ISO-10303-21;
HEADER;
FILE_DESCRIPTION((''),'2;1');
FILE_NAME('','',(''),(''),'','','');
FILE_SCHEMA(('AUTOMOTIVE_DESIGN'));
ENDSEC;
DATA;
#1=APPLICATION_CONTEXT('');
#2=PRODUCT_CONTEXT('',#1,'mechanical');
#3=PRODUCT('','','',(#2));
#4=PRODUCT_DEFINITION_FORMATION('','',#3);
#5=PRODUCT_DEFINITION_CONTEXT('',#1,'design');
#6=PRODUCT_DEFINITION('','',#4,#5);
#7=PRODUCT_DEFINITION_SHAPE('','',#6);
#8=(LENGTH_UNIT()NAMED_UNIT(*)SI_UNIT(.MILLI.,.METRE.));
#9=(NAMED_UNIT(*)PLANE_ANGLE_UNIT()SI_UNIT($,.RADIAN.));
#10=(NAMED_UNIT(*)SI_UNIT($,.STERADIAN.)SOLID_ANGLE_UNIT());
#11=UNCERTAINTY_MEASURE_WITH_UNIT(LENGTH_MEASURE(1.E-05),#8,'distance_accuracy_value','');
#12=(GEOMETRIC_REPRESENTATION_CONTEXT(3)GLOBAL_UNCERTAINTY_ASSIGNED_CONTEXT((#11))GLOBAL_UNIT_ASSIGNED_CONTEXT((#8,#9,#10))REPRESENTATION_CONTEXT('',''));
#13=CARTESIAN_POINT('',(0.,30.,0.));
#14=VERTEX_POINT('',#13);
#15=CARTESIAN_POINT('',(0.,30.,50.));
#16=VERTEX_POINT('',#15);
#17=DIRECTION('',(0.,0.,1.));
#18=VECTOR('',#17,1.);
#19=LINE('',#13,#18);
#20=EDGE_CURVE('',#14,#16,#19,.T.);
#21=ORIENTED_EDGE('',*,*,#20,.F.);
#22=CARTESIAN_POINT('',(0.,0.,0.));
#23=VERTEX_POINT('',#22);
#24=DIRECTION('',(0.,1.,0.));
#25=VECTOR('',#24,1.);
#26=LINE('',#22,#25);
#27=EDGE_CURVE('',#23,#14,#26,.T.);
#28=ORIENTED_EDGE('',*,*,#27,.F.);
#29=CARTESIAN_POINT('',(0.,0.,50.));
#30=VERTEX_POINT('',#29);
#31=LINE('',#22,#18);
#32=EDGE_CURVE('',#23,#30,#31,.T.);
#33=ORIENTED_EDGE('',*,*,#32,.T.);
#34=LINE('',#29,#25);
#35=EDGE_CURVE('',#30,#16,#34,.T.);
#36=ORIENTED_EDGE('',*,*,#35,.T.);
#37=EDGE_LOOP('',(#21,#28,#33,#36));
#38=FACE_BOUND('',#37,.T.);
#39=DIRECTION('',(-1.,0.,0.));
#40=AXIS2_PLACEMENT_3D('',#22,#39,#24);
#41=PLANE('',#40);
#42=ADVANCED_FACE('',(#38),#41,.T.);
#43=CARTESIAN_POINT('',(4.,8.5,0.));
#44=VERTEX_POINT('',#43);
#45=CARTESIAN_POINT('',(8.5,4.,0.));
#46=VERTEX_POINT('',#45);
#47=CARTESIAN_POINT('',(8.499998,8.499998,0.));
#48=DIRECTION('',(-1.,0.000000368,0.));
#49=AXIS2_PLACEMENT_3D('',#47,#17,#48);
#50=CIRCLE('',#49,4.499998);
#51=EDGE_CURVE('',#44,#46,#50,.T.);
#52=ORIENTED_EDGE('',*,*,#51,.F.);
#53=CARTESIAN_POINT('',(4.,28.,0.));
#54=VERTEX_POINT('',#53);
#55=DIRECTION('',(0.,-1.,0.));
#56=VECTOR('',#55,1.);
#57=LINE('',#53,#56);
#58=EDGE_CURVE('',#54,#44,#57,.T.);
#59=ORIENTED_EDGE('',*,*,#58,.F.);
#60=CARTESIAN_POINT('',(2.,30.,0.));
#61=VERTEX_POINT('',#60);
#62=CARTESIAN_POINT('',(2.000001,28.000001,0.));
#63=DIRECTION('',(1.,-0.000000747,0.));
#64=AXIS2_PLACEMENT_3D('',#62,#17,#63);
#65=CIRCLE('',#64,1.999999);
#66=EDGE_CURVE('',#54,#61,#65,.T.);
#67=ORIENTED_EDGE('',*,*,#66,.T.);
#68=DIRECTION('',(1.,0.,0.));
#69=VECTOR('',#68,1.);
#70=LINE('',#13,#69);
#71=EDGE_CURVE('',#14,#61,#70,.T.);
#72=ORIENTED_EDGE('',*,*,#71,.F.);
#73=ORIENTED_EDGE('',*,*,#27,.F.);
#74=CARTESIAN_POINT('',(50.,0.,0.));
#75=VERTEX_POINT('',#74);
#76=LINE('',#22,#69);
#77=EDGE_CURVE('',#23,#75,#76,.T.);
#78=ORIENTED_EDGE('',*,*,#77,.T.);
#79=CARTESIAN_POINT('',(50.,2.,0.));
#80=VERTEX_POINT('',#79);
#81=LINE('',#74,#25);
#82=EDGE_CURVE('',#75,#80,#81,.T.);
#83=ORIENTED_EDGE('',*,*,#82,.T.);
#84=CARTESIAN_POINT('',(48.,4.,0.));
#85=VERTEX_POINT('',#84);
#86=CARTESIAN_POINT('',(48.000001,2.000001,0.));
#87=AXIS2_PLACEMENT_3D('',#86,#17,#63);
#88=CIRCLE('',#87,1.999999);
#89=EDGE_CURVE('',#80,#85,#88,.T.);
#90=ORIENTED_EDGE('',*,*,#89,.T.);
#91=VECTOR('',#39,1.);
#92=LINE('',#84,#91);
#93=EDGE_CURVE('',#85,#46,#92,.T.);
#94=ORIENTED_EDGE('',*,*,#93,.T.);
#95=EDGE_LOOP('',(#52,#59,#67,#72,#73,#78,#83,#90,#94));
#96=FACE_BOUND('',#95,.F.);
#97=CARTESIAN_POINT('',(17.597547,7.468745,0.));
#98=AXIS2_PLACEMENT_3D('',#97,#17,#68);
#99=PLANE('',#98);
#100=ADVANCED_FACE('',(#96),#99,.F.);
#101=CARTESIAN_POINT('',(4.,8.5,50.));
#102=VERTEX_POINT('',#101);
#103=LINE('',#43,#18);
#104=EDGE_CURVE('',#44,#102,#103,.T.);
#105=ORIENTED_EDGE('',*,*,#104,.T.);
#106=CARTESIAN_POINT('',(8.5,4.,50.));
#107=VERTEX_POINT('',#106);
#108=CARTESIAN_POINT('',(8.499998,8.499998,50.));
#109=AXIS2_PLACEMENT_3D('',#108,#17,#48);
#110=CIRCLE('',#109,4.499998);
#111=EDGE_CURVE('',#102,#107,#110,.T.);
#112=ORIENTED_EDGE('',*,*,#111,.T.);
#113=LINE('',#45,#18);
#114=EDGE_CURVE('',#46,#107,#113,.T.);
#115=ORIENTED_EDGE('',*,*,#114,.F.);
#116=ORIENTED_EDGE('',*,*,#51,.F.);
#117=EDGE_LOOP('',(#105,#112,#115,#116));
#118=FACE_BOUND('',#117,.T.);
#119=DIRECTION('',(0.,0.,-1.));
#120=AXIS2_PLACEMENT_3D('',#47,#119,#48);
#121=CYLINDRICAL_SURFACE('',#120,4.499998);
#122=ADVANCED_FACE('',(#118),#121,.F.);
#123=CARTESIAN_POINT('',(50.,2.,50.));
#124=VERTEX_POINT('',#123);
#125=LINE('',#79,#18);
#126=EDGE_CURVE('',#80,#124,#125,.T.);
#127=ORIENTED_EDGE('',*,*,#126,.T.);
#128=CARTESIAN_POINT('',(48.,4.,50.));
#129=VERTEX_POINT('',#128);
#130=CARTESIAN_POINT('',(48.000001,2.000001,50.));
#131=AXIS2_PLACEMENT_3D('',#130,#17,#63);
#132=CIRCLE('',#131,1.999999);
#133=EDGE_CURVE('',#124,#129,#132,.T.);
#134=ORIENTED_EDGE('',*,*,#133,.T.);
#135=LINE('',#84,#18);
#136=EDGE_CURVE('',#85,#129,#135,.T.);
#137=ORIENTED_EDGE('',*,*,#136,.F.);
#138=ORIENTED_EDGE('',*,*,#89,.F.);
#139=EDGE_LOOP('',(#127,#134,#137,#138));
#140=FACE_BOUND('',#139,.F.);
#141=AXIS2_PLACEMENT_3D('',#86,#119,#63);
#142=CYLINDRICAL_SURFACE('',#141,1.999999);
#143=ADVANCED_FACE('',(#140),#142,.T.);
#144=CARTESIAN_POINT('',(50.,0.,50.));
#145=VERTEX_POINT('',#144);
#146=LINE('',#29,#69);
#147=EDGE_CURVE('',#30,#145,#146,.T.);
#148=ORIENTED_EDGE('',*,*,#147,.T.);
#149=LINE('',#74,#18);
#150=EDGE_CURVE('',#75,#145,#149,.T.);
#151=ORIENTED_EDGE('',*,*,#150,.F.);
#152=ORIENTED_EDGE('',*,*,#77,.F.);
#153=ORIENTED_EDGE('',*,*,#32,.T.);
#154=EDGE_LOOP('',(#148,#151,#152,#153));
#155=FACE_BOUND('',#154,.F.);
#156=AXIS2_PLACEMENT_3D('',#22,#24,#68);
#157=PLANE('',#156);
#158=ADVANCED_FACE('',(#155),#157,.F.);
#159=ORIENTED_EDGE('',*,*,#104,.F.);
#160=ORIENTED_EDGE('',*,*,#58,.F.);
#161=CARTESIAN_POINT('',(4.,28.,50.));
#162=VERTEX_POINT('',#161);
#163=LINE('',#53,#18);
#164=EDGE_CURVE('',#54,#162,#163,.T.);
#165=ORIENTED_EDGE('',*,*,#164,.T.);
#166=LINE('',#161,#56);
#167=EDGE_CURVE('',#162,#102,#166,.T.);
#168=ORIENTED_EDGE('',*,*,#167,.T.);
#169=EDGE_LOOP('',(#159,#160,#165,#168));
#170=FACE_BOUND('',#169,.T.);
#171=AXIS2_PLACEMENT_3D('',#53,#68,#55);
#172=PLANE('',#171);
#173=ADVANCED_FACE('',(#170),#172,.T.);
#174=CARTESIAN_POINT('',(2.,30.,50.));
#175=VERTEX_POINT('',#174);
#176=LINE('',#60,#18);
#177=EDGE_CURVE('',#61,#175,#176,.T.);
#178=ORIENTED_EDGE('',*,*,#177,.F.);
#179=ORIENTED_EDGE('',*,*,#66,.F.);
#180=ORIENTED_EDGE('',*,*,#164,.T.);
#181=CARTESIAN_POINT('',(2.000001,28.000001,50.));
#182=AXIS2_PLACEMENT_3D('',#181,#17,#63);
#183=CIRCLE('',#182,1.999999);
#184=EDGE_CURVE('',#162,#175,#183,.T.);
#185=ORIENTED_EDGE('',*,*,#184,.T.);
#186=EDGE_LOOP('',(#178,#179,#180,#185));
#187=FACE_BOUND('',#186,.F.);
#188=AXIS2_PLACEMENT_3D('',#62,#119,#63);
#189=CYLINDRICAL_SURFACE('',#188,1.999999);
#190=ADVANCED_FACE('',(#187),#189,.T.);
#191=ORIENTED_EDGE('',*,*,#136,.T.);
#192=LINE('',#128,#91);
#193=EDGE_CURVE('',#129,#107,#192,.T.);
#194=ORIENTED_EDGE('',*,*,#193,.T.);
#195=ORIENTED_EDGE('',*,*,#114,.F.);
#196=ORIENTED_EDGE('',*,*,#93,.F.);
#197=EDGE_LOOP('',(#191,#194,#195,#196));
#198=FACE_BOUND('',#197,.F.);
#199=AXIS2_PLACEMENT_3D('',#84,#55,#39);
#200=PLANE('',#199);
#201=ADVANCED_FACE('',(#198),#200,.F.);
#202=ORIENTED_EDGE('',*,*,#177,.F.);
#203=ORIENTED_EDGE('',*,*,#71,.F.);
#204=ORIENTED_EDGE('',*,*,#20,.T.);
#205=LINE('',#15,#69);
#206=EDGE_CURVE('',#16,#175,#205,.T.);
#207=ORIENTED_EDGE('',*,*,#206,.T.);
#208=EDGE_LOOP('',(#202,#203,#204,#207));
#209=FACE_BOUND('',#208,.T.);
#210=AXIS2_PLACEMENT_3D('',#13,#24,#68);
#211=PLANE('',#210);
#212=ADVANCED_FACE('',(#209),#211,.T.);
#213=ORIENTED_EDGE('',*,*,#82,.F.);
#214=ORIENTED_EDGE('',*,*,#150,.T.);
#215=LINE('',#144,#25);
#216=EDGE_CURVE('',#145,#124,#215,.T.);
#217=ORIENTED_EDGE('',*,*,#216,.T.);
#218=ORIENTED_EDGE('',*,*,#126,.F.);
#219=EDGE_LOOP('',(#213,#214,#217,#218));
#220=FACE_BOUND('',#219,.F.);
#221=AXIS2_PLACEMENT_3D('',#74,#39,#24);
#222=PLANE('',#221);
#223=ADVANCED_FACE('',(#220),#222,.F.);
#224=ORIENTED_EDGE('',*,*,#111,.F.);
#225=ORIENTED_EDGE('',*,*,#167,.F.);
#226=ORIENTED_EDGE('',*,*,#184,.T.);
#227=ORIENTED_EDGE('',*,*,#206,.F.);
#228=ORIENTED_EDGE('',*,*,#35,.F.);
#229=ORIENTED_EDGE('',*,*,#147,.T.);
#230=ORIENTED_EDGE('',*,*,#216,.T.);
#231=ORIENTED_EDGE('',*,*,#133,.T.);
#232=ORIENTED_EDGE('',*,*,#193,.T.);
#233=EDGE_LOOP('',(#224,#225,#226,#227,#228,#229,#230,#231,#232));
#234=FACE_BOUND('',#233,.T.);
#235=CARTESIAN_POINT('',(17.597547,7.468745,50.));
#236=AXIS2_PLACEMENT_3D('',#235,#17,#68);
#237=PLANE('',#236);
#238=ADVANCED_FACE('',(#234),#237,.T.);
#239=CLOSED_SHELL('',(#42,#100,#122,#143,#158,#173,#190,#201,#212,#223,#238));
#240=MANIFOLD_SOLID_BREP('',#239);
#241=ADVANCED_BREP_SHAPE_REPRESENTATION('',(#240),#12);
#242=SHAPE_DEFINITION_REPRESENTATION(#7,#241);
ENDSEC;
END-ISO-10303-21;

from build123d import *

# Parameters (mm, degrees)
EXTRUDE_DEPTH = 50


with BuildPart() as part:
    # Sketch → Extrude (new body)
    with BuildSketch(Plane.XY):
        with BuildLine():
            Line((0, 0), (50, 0))
            Line((50, 0), (50, 2))
            ThreePointArc((50, 2), (49.414214, 3.414214), (48, 4))
            Line((48, 4), (8.5, 4))
            ThreePointArc((4, 8.5), (5.318019, 5.318019), (8.5, 4))
            Line((4, 28), (4, 8.5))
            ThreePointArc((4, 28), (3.414214, 29.414214), (2, 30))
            Line((0, 30), (2, 30))
            Line((0, 0), (0, 30))
        make_face()
    extrude(amount=EXTRUDE_DEPTH)


solid = part.part
